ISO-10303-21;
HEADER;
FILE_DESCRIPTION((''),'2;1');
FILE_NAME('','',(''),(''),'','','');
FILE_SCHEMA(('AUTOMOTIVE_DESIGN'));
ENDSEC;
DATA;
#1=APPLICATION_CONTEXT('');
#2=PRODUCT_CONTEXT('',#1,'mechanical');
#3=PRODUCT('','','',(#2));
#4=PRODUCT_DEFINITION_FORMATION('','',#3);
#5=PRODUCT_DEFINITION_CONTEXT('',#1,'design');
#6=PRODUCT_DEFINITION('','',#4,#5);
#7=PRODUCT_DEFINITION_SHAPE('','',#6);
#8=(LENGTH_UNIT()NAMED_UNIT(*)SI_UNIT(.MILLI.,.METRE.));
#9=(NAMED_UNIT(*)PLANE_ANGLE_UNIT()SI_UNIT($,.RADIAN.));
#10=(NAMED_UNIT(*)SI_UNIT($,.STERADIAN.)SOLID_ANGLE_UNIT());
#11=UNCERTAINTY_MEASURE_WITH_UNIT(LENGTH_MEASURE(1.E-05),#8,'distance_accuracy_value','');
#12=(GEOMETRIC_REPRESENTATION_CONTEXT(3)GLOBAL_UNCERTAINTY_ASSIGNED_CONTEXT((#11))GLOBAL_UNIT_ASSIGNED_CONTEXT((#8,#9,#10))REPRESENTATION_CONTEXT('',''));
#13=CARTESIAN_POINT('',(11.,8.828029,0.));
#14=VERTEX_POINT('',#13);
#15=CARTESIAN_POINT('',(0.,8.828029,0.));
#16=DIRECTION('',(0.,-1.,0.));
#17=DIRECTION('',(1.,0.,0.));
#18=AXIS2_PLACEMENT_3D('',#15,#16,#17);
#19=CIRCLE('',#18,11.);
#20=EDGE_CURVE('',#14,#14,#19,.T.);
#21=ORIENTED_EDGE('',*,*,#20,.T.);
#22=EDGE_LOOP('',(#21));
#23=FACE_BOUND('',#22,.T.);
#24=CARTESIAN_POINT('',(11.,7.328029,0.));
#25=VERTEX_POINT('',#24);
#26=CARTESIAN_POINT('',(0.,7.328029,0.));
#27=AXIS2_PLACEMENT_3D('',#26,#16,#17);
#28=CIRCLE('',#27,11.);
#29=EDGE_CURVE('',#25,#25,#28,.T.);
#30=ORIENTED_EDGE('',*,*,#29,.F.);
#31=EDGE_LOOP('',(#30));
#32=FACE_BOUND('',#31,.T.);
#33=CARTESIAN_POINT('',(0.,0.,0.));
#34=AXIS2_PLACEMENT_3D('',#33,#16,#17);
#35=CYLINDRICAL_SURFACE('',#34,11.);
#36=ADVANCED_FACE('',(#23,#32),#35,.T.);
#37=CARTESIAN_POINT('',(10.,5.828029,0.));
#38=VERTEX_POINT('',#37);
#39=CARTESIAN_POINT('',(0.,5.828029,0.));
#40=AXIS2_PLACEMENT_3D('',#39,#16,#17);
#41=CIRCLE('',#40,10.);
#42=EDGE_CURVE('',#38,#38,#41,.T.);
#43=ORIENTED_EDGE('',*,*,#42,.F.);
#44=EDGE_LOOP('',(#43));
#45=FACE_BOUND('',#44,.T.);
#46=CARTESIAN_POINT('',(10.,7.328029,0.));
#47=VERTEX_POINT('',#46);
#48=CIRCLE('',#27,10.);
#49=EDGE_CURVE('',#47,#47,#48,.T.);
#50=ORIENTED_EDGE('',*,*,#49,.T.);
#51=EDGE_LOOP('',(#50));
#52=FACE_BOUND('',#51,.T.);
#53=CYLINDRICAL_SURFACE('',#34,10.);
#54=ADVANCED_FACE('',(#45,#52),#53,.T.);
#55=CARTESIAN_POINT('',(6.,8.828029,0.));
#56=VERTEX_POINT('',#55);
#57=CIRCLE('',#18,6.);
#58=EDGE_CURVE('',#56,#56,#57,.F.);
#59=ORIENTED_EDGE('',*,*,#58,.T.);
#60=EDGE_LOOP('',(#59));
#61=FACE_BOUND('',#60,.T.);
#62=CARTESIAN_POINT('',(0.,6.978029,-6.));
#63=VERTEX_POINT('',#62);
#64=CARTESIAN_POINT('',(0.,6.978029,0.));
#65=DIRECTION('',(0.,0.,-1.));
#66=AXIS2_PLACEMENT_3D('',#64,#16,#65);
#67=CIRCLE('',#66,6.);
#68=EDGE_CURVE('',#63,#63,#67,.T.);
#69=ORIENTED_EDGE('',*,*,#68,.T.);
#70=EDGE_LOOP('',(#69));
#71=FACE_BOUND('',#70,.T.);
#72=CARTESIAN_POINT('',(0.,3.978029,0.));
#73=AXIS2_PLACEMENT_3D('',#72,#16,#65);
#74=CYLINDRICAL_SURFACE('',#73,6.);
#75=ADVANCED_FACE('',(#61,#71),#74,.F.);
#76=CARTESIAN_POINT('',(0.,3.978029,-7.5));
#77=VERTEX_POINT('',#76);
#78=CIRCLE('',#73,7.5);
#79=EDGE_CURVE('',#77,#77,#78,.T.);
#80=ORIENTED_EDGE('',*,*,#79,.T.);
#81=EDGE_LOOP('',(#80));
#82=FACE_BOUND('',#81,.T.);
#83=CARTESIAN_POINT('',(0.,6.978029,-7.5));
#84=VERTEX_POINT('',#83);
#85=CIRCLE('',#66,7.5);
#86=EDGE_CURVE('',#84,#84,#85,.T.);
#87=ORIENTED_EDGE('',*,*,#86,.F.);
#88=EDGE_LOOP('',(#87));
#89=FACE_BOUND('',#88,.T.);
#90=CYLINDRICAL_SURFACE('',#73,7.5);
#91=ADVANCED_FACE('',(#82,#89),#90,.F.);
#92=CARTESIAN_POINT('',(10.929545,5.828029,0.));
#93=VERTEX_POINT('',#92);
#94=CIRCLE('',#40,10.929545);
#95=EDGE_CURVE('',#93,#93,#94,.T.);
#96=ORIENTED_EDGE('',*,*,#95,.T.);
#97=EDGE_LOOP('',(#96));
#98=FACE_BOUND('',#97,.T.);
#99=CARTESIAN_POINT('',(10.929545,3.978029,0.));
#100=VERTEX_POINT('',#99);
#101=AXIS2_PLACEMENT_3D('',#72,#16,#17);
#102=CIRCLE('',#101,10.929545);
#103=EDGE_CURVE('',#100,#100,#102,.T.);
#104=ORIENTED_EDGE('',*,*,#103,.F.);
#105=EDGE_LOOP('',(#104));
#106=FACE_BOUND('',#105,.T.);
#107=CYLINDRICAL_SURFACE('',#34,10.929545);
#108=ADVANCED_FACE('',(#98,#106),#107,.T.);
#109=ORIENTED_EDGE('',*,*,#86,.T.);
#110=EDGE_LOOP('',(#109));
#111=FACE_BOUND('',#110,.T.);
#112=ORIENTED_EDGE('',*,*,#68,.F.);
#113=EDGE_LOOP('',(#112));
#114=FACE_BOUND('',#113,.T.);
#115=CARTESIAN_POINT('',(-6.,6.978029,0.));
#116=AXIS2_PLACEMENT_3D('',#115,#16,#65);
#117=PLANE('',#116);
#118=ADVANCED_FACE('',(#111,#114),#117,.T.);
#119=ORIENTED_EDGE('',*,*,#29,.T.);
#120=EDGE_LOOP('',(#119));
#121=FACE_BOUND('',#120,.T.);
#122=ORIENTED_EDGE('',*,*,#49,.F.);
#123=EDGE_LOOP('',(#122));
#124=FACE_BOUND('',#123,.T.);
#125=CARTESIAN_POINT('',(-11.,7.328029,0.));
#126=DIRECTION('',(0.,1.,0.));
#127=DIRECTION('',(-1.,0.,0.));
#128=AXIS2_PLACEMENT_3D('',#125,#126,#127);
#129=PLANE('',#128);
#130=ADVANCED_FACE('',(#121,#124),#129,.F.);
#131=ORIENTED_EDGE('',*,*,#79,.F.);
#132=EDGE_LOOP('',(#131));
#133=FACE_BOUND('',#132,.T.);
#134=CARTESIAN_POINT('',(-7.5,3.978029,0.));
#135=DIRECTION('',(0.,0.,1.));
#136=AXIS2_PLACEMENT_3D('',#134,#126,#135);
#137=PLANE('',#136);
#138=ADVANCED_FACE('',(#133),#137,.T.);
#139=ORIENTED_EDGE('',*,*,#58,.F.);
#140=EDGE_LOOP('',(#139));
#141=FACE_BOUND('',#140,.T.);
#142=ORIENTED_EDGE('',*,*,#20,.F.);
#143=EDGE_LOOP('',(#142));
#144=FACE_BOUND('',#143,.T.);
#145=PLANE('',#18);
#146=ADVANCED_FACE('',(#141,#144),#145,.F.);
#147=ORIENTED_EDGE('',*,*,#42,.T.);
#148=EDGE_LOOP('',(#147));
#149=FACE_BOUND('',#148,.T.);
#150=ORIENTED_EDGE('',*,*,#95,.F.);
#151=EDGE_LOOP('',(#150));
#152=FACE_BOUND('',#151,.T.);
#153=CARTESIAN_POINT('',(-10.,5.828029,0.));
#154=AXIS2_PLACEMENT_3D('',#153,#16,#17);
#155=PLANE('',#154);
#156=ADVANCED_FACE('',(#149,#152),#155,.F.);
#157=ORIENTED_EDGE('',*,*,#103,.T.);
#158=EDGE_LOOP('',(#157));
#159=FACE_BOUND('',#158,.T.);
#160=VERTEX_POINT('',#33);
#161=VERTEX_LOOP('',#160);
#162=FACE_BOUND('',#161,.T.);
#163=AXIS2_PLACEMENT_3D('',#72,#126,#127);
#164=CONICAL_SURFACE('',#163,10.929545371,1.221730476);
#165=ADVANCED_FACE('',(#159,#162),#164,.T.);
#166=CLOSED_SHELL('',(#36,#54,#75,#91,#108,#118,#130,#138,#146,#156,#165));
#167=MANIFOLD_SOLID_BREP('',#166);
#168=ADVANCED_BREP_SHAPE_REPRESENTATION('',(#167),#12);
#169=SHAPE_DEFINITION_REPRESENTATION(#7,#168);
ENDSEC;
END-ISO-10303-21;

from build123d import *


with BuildPart() as part:
    # Sketch1 → Revolve1 (revolve)
    with BuildSketch(Plane.XY):
        Polygon((0, 0), (0, 8.828029189), (-11, 8.828029189), (-11, 7.328029189), (-10, 7.328029189), (-10, 5.828029189), (-10.929545371, 5.828029189), (-10.929545371, 3.978029189), align=None)
    revolve(axis=Axis((0, 0, 0), (0, 1, 0)))

    # Sketch2 → Cut-Revolve1 (revolve, cut)
    with BuildSketch(Plane.XY):
        Polygon((0, 3.978029189), (0, 9.978029189), (-6, 9.978029189), (-6, 6.978029189), (-7.5, 6.978029189), (-7.5, 3.978029189), align=None)
    revolve(axis=Axis((0, 3.978029189, 0), (0, 1, 0)), mode=Mode.SUBTRACT)


solid = part.part
